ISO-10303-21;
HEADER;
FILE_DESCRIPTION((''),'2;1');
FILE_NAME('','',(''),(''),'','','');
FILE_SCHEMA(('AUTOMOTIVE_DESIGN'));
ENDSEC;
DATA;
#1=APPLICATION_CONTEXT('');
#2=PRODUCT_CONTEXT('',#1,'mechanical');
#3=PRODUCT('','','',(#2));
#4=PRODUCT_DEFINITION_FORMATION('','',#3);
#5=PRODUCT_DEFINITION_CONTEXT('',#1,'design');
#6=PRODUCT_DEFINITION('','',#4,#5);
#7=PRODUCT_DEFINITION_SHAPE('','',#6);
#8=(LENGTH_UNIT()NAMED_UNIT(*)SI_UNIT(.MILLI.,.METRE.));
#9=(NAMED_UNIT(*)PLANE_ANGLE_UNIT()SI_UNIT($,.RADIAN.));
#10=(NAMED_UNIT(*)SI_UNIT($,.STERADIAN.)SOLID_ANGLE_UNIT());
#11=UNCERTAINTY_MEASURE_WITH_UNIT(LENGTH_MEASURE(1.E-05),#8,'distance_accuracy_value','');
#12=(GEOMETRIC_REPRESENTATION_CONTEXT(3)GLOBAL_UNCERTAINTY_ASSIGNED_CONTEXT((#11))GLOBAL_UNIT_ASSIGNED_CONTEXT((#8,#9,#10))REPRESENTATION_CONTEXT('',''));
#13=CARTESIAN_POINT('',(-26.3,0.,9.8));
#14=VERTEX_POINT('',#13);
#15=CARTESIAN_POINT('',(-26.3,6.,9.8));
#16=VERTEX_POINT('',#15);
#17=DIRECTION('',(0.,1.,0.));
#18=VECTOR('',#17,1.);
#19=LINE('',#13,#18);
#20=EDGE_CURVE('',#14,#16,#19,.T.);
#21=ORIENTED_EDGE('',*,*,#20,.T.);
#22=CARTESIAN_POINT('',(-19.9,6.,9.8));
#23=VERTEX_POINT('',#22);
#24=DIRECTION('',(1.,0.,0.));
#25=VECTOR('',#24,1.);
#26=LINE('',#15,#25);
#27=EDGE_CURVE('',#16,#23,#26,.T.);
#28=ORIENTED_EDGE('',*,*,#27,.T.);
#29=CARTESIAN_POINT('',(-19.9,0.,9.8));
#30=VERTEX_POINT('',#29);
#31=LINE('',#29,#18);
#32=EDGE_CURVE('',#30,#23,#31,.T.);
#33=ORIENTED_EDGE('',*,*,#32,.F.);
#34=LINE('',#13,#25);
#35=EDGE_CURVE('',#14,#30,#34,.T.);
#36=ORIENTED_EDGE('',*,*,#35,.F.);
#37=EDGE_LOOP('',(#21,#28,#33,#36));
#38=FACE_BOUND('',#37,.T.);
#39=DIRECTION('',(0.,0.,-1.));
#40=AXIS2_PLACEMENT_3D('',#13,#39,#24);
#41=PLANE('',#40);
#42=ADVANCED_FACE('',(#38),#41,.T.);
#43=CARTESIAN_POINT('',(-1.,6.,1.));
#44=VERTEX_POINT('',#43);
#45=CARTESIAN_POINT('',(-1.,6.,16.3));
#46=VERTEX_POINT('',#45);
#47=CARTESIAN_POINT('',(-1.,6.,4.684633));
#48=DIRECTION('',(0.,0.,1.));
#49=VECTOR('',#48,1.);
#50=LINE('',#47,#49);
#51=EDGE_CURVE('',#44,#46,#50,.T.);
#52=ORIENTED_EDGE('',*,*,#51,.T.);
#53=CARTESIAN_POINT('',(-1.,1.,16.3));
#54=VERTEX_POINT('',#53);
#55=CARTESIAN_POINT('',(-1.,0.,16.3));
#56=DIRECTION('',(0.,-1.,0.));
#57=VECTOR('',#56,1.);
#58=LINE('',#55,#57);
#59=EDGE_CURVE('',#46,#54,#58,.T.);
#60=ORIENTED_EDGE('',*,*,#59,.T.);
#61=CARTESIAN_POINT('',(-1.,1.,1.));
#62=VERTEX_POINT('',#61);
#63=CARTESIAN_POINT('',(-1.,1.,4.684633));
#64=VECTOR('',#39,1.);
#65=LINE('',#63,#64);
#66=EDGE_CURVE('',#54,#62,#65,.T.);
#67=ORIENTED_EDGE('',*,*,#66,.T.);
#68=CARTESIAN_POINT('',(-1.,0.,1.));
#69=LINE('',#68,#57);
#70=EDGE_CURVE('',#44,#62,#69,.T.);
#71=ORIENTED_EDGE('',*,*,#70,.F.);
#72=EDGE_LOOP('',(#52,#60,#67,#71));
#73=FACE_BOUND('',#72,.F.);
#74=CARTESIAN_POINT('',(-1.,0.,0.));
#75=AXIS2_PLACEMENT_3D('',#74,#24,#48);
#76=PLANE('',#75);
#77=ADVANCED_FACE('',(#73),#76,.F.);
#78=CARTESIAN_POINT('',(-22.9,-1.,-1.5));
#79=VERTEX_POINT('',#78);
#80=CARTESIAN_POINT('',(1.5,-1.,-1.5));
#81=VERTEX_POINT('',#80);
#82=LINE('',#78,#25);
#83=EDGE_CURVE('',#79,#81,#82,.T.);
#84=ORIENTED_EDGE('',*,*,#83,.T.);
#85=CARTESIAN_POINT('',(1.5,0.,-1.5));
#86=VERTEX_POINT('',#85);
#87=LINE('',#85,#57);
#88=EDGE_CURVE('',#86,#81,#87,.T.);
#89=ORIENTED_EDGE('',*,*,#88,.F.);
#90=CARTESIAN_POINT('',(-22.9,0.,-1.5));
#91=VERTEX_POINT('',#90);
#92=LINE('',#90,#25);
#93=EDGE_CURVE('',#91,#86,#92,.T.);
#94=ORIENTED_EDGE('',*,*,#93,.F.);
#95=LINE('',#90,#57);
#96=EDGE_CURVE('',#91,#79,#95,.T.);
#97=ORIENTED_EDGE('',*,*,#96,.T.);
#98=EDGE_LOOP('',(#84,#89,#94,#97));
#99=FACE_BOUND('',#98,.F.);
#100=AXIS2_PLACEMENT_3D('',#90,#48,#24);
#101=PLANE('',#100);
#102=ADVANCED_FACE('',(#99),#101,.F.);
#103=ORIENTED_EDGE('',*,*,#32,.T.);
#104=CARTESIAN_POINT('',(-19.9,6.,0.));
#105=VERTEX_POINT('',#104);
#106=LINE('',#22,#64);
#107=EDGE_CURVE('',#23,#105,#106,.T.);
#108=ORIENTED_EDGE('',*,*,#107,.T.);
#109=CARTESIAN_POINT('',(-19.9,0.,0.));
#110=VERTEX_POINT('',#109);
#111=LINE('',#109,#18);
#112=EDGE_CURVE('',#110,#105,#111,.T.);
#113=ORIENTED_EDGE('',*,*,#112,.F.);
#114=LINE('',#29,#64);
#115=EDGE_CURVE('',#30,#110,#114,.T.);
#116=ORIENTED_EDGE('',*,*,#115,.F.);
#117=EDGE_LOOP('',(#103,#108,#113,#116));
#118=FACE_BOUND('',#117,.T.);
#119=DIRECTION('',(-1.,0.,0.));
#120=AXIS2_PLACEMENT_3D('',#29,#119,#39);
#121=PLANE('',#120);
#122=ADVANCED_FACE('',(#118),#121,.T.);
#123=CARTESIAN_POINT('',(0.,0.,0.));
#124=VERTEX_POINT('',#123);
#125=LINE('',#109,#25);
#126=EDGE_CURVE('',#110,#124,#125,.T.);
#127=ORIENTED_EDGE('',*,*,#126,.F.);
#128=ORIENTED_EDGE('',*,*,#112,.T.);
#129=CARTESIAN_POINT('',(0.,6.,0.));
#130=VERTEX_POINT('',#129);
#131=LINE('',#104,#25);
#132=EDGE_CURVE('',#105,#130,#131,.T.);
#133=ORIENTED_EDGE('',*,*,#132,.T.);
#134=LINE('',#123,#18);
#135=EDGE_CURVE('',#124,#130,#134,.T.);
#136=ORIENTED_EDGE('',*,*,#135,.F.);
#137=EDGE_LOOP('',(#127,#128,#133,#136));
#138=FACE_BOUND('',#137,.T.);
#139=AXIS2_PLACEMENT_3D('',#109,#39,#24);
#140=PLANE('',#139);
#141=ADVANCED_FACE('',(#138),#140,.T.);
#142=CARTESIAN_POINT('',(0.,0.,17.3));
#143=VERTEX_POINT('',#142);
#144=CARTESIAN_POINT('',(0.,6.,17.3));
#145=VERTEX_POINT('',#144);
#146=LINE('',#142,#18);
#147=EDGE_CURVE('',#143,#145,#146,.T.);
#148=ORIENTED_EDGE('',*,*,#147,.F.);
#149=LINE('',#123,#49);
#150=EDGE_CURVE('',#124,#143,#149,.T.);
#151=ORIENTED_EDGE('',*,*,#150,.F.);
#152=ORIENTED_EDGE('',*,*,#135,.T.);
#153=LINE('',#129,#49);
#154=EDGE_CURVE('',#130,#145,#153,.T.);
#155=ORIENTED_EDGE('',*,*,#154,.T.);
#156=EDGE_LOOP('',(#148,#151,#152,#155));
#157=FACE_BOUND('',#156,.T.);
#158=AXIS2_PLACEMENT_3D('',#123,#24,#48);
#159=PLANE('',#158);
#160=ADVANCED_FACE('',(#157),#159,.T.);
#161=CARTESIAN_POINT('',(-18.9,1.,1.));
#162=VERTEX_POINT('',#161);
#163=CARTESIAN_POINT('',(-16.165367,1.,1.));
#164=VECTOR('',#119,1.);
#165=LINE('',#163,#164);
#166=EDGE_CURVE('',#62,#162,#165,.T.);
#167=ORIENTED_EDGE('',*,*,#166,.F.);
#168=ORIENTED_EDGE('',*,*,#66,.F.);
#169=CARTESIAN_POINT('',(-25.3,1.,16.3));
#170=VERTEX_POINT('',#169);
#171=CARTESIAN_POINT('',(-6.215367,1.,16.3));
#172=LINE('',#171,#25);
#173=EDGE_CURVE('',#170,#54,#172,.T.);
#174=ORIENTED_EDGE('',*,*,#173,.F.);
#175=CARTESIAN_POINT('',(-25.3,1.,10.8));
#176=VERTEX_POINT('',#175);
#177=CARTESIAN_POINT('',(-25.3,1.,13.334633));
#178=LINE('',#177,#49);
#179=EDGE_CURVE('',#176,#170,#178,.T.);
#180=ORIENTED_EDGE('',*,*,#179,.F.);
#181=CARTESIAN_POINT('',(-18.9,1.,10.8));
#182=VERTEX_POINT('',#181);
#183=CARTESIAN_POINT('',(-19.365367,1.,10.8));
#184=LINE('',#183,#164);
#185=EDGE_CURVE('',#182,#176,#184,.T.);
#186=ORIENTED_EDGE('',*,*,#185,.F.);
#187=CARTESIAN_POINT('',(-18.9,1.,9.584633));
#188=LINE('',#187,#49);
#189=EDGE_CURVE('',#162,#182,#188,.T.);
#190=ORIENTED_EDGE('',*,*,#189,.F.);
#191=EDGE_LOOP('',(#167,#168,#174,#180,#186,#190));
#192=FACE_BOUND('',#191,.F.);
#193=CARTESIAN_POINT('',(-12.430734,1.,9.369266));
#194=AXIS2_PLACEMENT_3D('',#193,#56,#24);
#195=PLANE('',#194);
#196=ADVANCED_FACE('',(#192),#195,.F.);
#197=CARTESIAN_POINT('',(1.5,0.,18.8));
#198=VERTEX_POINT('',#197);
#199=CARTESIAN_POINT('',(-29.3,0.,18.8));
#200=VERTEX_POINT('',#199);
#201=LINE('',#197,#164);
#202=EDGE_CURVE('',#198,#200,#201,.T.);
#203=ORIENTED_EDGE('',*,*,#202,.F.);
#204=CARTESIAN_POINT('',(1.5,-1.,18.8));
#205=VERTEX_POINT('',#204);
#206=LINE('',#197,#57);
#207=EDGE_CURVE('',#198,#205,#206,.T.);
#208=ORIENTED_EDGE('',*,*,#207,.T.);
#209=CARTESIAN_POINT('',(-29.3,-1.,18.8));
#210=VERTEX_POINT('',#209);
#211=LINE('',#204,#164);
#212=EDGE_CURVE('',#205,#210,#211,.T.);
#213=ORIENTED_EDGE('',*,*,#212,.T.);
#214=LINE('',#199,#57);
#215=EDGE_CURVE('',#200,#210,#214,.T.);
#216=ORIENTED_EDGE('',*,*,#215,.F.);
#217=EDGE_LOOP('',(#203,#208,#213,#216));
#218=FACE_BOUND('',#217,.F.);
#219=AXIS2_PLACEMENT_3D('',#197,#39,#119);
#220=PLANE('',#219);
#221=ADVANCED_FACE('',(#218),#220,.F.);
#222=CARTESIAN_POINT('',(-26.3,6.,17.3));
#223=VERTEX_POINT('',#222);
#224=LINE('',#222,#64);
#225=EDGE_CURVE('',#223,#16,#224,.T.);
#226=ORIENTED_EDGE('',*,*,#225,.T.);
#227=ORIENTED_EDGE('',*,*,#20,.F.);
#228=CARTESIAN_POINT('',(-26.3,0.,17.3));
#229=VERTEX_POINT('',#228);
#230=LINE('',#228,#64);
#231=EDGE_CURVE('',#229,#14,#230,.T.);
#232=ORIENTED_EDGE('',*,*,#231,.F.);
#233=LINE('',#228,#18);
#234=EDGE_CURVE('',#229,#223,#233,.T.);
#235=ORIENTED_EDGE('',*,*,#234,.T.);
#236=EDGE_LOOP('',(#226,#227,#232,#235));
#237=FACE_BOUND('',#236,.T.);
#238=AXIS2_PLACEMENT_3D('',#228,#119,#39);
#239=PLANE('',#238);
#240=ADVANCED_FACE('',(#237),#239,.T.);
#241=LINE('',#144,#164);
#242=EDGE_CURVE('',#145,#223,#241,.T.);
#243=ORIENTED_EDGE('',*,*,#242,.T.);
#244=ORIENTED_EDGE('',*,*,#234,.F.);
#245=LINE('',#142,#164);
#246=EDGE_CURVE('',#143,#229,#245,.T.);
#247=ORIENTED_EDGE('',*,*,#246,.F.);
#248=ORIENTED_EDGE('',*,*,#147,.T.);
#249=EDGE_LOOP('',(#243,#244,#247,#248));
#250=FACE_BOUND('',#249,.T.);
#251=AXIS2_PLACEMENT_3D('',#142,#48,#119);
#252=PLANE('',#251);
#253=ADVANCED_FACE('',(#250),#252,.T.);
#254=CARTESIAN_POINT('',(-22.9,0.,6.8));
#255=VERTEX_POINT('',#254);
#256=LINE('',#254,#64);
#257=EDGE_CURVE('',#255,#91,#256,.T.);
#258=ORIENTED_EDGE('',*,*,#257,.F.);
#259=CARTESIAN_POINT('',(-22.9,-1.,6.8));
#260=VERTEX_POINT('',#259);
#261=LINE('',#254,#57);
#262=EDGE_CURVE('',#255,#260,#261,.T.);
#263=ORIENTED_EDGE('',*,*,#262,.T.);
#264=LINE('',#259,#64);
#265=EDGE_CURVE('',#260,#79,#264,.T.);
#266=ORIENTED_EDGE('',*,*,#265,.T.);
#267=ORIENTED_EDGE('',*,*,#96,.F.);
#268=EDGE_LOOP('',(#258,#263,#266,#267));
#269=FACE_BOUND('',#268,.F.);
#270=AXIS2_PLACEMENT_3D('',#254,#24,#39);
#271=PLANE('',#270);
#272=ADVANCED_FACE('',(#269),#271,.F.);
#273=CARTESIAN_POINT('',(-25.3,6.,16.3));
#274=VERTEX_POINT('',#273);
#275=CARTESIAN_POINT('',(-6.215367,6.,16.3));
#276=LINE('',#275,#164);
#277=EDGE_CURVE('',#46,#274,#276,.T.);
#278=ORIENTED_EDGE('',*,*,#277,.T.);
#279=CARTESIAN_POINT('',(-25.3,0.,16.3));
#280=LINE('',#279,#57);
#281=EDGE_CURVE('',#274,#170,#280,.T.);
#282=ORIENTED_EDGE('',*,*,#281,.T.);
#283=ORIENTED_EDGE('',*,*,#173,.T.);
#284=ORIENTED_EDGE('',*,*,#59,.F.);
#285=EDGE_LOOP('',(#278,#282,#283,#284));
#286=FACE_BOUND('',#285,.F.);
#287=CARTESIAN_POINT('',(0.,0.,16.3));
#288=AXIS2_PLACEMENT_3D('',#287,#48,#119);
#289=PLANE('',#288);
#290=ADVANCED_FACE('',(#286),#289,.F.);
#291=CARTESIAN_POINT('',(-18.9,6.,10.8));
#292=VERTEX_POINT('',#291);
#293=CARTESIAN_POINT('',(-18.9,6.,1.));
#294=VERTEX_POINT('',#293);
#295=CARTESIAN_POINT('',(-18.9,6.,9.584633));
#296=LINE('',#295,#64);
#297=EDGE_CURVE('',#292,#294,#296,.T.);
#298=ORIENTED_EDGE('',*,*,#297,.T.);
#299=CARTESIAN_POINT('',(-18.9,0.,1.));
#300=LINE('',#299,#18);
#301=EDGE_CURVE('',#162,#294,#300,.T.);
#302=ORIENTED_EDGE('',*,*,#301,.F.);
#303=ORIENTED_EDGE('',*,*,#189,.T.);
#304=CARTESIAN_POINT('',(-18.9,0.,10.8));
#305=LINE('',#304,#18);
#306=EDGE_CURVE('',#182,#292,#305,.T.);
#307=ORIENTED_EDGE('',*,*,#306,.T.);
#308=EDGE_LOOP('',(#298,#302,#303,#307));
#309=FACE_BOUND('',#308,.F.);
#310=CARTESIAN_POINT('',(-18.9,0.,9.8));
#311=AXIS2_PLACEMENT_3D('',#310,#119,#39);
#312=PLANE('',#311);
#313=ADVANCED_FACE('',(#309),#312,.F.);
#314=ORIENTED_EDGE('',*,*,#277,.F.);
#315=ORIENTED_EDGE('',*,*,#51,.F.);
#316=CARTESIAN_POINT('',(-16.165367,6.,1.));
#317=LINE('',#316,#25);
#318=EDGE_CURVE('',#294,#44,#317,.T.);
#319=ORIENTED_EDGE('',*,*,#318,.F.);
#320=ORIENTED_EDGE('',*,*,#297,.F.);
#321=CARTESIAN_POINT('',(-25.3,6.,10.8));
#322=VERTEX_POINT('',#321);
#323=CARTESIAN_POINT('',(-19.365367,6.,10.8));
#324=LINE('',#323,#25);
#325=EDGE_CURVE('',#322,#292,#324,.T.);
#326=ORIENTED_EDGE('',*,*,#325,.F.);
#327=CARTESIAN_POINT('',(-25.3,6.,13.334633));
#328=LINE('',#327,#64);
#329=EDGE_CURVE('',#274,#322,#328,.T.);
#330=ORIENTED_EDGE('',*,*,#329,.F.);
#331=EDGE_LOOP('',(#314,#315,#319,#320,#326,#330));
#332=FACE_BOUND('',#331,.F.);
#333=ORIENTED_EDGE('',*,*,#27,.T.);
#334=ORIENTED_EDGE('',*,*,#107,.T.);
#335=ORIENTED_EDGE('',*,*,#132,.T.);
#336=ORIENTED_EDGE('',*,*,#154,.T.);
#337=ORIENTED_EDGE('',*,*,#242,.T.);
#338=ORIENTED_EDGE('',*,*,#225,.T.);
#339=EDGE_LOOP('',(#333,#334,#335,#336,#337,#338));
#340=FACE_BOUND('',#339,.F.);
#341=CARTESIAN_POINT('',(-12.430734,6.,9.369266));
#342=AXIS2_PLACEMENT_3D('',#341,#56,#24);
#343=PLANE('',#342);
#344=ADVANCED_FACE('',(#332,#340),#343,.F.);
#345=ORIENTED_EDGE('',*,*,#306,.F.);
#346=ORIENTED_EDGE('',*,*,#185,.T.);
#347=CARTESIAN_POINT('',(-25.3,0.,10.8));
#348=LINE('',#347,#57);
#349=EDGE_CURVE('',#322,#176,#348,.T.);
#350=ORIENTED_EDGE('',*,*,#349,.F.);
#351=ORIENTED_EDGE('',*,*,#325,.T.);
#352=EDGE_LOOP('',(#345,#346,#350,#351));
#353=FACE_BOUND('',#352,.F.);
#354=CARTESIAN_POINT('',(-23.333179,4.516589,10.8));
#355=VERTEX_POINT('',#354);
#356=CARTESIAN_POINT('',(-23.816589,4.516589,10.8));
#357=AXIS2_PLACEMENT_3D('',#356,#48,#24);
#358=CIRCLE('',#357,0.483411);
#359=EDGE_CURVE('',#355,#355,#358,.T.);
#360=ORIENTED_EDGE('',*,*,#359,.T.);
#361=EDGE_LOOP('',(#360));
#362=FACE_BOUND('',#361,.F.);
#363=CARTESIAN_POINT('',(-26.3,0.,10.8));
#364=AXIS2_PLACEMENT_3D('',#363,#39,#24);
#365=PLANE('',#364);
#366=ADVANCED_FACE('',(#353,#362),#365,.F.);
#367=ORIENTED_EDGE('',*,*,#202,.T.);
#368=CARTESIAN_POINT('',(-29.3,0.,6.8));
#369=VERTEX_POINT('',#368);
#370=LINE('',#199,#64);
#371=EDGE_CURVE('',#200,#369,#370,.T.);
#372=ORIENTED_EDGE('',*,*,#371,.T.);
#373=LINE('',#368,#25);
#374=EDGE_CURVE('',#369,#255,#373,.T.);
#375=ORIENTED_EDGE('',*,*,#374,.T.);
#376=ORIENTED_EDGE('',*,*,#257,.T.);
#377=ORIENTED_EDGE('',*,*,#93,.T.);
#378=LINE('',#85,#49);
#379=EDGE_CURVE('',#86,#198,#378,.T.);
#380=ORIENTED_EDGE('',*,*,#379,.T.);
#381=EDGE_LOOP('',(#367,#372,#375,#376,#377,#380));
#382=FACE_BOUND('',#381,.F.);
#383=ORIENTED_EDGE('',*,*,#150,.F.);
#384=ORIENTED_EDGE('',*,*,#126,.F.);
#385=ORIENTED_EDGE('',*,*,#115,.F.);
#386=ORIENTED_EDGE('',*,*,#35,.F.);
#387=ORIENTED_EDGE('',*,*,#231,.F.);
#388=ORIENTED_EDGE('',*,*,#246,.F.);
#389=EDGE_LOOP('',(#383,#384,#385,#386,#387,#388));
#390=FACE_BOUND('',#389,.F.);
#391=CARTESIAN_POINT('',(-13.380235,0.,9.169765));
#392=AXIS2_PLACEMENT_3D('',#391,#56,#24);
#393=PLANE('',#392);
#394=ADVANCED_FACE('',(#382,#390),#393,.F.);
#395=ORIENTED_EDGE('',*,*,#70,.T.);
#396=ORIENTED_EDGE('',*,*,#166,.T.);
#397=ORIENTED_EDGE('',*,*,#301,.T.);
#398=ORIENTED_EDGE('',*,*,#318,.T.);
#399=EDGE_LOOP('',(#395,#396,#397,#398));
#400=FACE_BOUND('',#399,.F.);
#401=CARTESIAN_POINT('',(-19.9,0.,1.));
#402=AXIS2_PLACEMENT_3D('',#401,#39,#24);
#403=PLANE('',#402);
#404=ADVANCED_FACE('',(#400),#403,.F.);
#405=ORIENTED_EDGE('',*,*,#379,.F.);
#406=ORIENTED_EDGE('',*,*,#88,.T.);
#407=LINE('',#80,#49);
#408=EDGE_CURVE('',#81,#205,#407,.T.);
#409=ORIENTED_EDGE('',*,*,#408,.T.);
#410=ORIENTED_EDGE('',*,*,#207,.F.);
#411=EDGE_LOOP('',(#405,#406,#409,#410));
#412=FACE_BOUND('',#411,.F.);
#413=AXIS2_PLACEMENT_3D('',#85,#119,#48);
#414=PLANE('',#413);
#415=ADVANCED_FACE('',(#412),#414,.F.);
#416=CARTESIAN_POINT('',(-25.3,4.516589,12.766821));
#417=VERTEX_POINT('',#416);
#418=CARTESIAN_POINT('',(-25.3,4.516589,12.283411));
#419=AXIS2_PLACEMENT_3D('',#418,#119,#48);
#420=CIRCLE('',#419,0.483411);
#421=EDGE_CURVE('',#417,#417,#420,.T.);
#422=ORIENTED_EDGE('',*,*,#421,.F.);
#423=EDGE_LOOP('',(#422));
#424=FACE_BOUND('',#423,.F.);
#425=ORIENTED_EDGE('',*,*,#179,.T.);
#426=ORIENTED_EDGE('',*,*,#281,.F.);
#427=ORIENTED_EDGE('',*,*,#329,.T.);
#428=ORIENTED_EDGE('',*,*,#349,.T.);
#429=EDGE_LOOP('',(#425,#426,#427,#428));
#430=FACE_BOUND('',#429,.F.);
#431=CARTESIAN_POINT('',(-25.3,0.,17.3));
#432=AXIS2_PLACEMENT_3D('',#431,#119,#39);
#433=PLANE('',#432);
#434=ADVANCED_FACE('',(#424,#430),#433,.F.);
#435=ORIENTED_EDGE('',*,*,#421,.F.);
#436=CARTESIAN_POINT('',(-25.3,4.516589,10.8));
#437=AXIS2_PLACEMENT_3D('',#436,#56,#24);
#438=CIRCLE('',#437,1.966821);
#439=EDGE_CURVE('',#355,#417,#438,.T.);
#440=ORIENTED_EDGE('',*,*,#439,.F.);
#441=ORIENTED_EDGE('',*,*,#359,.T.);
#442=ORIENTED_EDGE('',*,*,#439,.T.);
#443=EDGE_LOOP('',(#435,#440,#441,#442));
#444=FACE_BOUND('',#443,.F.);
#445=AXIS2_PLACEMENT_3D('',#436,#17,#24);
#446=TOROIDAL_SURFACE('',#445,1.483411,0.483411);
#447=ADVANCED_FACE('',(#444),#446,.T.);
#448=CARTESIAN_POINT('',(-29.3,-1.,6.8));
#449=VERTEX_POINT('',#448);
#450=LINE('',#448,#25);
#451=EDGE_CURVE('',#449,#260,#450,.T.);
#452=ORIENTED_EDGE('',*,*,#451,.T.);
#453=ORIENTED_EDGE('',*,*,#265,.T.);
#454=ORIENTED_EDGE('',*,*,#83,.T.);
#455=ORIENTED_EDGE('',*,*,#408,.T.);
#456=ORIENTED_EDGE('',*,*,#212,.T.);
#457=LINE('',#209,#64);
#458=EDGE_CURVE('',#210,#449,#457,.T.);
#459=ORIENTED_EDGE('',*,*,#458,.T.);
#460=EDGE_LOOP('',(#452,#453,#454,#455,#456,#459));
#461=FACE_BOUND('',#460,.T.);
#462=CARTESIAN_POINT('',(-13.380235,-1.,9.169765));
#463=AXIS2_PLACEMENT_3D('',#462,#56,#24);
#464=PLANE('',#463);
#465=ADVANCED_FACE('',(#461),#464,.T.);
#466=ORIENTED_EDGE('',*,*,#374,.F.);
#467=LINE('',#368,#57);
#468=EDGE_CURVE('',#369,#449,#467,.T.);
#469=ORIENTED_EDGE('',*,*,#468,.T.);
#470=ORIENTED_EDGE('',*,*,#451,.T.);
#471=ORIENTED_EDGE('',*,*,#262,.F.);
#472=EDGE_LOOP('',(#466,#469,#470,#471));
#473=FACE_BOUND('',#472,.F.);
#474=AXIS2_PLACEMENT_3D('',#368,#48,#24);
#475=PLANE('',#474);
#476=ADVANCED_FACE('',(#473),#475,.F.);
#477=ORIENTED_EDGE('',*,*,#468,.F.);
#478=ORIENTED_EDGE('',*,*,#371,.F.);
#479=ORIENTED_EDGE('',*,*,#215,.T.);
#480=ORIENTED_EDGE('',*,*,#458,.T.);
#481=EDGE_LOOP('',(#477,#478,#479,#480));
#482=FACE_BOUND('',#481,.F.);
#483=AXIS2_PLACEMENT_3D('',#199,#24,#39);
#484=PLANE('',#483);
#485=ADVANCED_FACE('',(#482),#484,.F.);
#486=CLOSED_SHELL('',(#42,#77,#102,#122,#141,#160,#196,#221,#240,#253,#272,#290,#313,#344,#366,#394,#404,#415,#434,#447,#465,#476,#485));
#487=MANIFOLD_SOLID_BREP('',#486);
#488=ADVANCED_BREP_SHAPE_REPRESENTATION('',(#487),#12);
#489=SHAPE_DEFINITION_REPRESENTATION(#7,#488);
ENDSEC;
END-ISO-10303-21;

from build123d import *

# Parameters (mm, degrees)
F1_DEPTH = 6
F2_T     = -1
F3_R     = 0.4834105246
F4_ANGLE = 90
F6_DEPTH = 1


with BuildPart() as f1:
    # F0 (on Front) → F1 (new body)
    with BuildSketch(Plane.XZ):
        Polygon((-19.9, 0), (0, 0), (0, 17.3), (-26.3, 17.3), (-26.3, 9.8), (-19.9, 9.8), align=None)
    extrude(amount=-F1_DEPTH)

    # F2
    f2_openings = [f1.faces().sort_by_distance(p)[0] for p in [
        (-11.559096, 6, 9.249587),
    ]]
    offset(amount=F2_T, openings=f2_openings, kind=Kind.INTERSECTION)

    # F3 (on face) → F4 (revolve)
    with BuildSketch(Plane.XY.offset(10.8)):
        with Locations((-23.8165894754, 4.5165894754)):
            Circle(F3_R)
    revolve(axis=Axis((-25.3, 3.5, 10.8), (0, -1, 0)), revolution_arc=F4_ANGLE)

    # F5 (on face) → F6 (join)
    with BuildSketch(Plane.XZ):
        Polygon((-29.3, 18.8), (-29.3, 13.55), (-29.3, 6.8), (-22.9, 6.8), (-22.9, 4.9), (-22.9, -1.5), (1.5, -1.5), (1.5, 18.8), align=None)
    extrude(amount=F6_DEPTH)


solid = f1.part
